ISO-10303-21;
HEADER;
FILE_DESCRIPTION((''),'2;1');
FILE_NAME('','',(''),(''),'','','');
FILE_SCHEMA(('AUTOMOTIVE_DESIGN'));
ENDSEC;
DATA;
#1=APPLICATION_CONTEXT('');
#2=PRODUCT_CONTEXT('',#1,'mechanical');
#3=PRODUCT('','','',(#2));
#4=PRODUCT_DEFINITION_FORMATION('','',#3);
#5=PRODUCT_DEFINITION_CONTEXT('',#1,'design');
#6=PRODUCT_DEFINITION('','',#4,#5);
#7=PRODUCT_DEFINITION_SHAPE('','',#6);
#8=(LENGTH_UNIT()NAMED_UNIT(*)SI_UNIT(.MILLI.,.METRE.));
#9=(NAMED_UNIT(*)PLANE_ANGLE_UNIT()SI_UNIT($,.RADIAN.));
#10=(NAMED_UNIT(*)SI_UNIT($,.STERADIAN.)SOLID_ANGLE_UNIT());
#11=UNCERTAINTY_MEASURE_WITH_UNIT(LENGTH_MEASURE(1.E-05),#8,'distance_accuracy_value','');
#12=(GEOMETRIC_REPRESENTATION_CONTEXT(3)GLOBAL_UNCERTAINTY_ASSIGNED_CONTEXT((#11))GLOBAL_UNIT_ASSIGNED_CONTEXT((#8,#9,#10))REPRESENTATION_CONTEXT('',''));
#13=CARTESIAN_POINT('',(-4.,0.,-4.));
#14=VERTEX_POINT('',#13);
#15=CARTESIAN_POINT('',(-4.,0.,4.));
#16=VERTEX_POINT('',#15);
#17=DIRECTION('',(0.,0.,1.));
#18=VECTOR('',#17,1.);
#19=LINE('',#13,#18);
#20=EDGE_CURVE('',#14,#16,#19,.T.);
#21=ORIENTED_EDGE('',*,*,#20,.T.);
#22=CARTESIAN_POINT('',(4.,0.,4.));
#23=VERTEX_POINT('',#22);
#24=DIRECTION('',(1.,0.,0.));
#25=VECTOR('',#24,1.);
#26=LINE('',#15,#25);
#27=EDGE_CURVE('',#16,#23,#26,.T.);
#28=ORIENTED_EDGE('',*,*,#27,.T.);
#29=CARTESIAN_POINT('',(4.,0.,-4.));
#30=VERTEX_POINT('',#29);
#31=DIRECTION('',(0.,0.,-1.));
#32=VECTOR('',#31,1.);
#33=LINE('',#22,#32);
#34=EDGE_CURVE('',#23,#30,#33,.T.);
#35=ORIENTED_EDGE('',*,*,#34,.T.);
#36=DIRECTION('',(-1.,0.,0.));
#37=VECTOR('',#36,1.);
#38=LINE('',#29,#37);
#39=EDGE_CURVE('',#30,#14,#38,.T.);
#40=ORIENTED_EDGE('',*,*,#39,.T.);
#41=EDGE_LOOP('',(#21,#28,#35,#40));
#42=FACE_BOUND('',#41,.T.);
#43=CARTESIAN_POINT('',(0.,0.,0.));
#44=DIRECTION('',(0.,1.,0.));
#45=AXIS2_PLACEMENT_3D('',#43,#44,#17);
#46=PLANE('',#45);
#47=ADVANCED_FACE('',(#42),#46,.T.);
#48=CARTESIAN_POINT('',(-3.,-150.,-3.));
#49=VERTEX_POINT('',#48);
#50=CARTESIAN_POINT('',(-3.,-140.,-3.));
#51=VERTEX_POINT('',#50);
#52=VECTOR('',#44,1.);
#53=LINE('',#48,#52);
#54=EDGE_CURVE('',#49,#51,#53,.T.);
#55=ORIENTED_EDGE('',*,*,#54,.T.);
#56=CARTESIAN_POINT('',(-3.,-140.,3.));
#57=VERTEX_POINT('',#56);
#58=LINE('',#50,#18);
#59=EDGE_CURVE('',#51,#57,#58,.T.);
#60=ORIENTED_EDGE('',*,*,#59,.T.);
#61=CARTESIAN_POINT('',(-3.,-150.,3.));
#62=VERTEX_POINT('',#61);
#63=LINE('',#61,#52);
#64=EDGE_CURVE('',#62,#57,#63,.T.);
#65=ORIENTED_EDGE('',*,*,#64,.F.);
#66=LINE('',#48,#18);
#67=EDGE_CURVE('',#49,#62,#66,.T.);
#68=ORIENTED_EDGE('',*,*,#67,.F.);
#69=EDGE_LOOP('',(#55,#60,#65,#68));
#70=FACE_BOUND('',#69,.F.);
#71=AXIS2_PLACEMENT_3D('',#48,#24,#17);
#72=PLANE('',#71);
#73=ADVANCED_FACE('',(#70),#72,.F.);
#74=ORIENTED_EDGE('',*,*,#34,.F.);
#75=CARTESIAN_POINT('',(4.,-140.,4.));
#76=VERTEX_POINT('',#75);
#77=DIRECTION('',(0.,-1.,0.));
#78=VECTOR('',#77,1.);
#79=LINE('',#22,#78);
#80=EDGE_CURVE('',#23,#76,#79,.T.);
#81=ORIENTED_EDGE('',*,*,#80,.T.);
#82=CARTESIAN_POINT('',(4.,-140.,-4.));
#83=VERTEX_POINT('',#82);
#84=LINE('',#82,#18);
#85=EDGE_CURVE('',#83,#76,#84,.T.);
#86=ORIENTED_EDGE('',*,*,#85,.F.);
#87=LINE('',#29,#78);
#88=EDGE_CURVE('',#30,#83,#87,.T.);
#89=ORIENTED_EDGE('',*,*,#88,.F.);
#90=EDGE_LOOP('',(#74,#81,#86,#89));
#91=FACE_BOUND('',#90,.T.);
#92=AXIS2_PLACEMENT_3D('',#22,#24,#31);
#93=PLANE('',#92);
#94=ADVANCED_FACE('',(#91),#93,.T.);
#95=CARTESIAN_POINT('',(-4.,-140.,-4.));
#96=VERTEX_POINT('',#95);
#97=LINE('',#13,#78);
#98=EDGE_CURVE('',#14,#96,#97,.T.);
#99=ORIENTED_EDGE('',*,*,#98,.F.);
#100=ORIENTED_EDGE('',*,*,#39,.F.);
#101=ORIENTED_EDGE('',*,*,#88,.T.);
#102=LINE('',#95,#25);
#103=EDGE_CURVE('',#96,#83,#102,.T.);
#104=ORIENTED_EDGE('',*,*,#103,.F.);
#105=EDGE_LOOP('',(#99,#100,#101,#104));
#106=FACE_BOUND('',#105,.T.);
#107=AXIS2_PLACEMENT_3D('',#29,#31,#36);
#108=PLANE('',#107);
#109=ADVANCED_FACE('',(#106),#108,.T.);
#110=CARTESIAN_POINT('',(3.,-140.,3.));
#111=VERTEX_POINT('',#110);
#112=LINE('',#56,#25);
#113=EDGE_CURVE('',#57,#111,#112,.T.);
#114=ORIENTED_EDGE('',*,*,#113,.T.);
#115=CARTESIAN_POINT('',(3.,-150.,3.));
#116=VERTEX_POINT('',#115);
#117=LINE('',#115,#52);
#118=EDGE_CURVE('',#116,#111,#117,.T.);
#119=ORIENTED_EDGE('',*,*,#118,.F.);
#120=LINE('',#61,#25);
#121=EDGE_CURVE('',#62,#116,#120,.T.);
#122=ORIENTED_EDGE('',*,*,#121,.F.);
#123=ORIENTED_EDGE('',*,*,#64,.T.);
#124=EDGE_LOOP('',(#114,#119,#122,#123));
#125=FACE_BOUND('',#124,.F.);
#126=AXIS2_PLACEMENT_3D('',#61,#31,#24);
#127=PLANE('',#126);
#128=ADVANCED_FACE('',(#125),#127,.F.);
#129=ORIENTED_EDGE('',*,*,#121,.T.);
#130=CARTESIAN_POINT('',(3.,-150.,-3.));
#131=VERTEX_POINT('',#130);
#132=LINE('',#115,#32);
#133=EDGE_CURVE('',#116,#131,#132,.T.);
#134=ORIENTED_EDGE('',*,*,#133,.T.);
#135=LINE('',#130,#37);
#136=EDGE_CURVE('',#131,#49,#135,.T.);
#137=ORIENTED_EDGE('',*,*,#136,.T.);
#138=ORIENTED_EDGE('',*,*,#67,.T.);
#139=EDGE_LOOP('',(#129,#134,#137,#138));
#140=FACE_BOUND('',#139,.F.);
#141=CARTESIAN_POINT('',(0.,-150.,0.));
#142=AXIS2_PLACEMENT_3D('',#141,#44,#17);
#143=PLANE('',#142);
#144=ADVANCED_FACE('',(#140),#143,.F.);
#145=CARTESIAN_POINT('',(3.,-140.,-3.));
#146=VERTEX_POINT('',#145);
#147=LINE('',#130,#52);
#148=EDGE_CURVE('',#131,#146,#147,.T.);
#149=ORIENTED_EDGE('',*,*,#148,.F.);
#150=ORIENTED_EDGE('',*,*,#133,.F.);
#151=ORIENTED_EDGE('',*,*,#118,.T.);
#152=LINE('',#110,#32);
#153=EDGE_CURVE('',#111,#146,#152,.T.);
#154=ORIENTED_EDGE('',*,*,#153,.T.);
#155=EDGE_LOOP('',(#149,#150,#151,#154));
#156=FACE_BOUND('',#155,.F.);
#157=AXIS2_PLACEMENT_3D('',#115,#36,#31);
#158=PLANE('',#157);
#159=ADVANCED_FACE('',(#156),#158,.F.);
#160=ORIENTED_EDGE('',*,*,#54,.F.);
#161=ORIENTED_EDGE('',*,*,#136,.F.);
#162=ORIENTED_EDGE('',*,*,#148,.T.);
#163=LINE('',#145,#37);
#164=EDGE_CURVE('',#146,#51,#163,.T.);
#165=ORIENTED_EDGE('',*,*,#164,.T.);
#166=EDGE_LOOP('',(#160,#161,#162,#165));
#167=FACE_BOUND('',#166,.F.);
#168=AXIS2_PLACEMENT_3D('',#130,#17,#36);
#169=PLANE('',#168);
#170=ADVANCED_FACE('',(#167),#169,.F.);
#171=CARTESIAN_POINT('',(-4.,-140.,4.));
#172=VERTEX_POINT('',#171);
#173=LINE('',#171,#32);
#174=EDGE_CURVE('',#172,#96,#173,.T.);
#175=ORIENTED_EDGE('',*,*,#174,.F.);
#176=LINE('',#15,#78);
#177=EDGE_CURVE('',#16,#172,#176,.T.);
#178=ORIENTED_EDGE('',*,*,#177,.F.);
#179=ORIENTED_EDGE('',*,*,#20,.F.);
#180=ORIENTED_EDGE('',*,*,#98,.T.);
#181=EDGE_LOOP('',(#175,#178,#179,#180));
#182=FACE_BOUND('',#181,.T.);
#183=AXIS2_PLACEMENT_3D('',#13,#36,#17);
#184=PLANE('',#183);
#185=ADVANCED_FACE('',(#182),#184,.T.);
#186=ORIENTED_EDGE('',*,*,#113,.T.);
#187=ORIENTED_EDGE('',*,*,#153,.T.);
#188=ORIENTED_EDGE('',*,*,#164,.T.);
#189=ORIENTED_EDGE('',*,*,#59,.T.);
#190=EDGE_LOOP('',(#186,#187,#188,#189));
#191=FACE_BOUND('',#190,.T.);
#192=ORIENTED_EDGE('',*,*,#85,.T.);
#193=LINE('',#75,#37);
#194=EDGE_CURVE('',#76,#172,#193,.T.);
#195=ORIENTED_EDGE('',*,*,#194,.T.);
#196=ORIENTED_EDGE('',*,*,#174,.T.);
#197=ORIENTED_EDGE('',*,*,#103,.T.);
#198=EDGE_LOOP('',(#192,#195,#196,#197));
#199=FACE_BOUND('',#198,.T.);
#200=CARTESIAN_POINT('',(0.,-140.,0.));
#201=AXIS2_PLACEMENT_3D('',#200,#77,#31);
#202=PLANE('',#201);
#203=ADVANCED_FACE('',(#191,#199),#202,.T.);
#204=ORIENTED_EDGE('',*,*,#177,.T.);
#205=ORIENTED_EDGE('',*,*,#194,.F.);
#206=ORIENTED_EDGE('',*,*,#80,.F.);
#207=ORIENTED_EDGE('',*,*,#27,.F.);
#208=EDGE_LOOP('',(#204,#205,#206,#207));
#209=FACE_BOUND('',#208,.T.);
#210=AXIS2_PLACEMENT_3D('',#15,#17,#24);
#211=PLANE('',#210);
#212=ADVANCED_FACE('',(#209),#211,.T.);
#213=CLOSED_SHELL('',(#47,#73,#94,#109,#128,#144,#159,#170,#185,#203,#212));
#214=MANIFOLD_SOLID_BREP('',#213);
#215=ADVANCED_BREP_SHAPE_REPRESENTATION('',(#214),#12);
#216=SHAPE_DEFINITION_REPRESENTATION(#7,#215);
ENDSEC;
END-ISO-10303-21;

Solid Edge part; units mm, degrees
sketch "Sketch1" plane through (0, 0, 0) normal (0, -1, 0) x (1, 0, 0)
  line L0 (-4, 4) -> (4, 4)
  line L1 (4, 4) -> (4, -4)
  line L2 (4, -4) -> (-4, -4)
  line L3 (-4, -4) -> (-4, 4)
  dimension "D1" = 8
  dimension "D2" = 8
extrude "Protrusion1" add sketch "Sketch1" along normal blind 150
sketch "Sketch2" plane through (0, -150, 0) normal (0, -1, 0) x (1, 0, 0)
  line L0 (-3, 3) -> (3, 3)
  line L1 (3, 3) -> (3, -3)
  line L2 (3, -3) -> (-3, -3)
  line L3 (-3, -3) -> (-3, 3)
  line L4 (-4, -4) -> (4, -4)
  line L5 (4, -4) -> (4, 4)
  line L6 (4, 4) -> (-4, 4)
  line L7 (-4, 4) -> (-4, -4)
  dimension "D1" = 6
extrude "Extrusionsausschnitt_1" cut sketch "Sketch2" against normal blind 10
